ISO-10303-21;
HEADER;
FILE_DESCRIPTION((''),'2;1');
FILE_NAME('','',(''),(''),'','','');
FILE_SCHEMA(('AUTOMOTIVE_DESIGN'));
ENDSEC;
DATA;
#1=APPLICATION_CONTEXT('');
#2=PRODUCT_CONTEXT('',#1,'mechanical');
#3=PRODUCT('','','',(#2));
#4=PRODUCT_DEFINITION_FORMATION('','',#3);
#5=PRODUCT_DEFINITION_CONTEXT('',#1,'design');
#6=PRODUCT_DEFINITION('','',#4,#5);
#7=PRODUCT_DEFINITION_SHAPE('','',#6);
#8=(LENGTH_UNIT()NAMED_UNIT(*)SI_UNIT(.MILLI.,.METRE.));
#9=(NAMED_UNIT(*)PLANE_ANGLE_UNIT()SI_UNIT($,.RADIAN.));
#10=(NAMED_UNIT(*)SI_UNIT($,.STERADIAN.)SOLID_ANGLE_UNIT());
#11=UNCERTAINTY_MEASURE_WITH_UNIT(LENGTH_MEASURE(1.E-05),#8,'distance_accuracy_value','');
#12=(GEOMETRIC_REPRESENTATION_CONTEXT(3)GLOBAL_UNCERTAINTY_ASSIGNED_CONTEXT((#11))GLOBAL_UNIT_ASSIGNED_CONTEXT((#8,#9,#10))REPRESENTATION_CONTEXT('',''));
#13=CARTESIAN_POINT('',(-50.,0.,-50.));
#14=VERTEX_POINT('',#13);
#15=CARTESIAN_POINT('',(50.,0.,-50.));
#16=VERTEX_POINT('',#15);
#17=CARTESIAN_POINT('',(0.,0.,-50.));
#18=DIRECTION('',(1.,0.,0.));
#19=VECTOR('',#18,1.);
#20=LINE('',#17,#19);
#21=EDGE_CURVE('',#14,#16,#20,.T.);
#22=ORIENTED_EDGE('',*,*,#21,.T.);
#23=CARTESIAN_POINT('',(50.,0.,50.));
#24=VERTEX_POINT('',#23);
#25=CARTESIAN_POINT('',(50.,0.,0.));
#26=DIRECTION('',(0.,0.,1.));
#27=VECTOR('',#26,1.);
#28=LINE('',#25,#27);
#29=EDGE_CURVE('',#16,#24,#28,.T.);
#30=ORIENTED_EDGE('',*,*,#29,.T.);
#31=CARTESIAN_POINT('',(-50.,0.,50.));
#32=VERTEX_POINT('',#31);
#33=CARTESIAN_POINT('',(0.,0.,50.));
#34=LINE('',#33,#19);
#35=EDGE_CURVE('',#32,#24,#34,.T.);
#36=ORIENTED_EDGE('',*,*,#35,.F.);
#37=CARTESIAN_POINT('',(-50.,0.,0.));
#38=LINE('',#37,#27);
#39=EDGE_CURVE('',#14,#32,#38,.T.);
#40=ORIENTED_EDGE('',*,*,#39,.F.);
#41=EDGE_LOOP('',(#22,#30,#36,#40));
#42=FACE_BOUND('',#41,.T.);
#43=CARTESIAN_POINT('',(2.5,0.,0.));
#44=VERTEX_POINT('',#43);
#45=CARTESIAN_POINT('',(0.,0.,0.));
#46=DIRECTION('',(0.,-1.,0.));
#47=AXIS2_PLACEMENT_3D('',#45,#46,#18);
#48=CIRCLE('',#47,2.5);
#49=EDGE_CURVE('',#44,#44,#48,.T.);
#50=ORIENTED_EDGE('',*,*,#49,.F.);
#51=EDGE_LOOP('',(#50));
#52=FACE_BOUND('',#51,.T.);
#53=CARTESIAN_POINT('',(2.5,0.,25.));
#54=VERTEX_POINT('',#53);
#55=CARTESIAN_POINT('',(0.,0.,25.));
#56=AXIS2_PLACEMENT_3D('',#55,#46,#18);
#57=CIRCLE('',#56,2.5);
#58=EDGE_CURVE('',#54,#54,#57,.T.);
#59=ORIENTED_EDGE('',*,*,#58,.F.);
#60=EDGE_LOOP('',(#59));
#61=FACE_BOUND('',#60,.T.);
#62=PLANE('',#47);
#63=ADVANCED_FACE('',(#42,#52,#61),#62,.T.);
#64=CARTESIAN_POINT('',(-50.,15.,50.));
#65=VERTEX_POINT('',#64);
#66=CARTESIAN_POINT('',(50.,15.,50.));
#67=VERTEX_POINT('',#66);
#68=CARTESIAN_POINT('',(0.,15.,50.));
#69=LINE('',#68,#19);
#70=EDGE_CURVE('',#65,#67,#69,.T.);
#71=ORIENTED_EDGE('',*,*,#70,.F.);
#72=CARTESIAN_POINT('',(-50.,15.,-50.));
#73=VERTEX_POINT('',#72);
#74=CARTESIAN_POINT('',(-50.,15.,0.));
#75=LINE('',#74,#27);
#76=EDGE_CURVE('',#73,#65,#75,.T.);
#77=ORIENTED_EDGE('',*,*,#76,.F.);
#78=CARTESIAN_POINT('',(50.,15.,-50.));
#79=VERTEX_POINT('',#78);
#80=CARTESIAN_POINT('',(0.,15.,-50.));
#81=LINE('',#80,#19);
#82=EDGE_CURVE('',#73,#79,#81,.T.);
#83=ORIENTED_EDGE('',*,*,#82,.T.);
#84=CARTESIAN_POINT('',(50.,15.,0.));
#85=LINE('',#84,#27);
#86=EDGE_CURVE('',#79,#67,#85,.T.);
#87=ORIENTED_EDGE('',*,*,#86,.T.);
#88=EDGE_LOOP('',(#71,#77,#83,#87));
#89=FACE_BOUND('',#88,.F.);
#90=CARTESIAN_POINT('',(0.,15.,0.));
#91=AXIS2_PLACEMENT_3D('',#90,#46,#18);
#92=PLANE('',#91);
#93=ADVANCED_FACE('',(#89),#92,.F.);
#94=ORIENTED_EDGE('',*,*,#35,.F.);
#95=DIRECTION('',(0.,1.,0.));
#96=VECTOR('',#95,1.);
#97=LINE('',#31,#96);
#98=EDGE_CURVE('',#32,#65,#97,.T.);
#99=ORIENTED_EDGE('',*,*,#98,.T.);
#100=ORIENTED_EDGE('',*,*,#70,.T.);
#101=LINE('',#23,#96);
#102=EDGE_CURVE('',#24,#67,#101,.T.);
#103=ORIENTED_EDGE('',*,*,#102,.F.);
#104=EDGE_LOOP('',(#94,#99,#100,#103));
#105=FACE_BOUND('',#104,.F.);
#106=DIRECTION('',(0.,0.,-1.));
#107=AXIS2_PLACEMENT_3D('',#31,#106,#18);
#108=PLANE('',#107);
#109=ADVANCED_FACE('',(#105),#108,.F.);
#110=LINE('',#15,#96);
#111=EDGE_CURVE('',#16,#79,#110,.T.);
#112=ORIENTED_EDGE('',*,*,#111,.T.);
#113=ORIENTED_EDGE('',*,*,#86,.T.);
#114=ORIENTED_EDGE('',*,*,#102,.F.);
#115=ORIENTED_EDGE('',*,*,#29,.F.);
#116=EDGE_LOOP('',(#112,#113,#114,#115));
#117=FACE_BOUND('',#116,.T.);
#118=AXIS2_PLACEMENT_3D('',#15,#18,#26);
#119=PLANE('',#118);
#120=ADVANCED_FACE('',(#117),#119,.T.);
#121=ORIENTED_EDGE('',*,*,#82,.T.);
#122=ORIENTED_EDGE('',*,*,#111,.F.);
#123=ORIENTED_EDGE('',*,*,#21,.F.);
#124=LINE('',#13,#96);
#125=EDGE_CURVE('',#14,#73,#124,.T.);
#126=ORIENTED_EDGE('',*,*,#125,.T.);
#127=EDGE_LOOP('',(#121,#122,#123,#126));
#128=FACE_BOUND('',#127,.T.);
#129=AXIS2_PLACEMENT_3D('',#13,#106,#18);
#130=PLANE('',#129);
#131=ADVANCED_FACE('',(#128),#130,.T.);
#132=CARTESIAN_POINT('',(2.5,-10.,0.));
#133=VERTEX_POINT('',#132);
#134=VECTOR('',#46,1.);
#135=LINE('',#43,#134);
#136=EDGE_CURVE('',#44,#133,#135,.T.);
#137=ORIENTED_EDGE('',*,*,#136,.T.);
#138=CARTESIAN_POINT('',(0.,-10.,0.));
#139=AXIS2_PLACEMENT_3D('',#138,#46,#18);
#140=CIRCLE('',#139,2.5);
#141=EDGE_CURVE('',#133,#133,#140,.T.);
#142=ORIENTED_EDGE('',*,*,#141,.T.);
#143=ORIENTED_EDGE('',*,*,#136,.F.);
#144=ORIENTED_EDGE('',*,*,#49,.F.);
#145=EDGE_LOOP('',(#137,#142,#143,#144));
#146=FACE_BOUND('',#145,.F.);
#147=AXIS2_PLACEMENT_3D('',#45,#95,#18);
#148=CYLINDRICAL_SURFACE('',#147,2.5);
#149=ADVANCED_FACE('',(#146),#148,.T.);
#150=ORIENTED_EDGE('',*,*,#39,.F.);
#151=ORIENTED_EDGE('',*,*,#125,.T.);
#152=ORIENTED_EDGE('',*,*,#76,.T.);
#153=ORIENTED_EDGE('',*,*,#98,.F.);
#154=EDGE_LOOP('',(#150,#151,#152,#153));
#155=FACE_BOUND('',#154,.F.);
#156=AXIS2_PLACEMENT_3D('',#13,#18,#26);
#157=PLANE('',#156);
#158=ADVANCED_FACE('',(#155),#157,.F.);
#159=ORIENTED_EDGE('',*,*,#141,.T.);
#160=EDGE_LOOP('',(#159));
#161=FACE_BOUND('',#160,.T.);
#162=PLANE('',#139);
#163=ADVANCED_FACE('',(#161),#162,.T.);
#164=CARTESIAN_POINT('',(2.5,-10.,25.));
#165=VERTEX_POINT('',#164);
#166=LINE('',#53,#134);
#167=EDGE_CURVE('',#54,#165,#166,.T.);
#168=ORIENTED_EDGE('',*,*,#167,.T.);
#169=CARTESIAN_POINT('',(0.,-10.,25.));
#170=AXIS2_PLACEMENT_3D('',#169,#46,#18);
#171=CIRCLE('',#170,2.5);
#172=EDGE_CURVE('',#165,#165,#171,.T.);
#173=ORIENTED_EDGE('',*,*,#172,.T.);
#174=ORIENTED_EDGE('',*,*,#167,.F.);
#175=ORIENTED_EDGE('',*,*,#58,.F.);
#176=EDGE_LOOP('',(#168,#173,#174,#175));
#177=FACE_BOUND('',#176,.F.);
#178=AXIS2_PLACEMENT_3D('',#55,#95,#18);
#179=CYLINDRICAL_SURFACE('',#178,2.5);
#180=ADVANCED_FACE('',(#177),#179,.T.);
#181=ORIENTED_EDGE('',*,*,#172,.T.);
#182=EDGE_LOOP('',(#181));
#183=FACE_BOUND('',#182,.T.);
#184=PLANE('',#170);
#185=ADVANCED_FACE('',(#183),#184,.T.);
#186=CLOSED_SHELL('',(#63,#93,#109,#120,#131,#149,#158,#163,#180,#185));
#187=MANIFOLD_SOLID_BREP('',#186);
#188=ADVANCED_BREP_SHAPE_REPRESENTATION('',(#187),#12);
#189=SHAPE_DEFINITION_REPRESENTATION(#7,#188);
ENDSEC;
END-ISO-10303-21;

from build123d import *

# Parameters (mm, degrees)
F0_W     = 100
F0_H     = 100
F1_DEPTH = 15
F2_R     = 2.5
F3_DEPTH = 10


with BuildPart() as f1:
    # F0 (on Front) → F1 (new body)
    with BuildSketch(Plane.XZ):
        Rectangle(F0_W, F0_H)
    extrude(amount=-F1_DEPTH)

    # F2 (on face) → F3 (join)
    with BuildSketch(Plane.XZ):
        Circle(F2_R)
        with Locations((0, 25)):
            Circle(F2_R)
    extrude(amount=F3_DEPTH)


solid = f1.part
